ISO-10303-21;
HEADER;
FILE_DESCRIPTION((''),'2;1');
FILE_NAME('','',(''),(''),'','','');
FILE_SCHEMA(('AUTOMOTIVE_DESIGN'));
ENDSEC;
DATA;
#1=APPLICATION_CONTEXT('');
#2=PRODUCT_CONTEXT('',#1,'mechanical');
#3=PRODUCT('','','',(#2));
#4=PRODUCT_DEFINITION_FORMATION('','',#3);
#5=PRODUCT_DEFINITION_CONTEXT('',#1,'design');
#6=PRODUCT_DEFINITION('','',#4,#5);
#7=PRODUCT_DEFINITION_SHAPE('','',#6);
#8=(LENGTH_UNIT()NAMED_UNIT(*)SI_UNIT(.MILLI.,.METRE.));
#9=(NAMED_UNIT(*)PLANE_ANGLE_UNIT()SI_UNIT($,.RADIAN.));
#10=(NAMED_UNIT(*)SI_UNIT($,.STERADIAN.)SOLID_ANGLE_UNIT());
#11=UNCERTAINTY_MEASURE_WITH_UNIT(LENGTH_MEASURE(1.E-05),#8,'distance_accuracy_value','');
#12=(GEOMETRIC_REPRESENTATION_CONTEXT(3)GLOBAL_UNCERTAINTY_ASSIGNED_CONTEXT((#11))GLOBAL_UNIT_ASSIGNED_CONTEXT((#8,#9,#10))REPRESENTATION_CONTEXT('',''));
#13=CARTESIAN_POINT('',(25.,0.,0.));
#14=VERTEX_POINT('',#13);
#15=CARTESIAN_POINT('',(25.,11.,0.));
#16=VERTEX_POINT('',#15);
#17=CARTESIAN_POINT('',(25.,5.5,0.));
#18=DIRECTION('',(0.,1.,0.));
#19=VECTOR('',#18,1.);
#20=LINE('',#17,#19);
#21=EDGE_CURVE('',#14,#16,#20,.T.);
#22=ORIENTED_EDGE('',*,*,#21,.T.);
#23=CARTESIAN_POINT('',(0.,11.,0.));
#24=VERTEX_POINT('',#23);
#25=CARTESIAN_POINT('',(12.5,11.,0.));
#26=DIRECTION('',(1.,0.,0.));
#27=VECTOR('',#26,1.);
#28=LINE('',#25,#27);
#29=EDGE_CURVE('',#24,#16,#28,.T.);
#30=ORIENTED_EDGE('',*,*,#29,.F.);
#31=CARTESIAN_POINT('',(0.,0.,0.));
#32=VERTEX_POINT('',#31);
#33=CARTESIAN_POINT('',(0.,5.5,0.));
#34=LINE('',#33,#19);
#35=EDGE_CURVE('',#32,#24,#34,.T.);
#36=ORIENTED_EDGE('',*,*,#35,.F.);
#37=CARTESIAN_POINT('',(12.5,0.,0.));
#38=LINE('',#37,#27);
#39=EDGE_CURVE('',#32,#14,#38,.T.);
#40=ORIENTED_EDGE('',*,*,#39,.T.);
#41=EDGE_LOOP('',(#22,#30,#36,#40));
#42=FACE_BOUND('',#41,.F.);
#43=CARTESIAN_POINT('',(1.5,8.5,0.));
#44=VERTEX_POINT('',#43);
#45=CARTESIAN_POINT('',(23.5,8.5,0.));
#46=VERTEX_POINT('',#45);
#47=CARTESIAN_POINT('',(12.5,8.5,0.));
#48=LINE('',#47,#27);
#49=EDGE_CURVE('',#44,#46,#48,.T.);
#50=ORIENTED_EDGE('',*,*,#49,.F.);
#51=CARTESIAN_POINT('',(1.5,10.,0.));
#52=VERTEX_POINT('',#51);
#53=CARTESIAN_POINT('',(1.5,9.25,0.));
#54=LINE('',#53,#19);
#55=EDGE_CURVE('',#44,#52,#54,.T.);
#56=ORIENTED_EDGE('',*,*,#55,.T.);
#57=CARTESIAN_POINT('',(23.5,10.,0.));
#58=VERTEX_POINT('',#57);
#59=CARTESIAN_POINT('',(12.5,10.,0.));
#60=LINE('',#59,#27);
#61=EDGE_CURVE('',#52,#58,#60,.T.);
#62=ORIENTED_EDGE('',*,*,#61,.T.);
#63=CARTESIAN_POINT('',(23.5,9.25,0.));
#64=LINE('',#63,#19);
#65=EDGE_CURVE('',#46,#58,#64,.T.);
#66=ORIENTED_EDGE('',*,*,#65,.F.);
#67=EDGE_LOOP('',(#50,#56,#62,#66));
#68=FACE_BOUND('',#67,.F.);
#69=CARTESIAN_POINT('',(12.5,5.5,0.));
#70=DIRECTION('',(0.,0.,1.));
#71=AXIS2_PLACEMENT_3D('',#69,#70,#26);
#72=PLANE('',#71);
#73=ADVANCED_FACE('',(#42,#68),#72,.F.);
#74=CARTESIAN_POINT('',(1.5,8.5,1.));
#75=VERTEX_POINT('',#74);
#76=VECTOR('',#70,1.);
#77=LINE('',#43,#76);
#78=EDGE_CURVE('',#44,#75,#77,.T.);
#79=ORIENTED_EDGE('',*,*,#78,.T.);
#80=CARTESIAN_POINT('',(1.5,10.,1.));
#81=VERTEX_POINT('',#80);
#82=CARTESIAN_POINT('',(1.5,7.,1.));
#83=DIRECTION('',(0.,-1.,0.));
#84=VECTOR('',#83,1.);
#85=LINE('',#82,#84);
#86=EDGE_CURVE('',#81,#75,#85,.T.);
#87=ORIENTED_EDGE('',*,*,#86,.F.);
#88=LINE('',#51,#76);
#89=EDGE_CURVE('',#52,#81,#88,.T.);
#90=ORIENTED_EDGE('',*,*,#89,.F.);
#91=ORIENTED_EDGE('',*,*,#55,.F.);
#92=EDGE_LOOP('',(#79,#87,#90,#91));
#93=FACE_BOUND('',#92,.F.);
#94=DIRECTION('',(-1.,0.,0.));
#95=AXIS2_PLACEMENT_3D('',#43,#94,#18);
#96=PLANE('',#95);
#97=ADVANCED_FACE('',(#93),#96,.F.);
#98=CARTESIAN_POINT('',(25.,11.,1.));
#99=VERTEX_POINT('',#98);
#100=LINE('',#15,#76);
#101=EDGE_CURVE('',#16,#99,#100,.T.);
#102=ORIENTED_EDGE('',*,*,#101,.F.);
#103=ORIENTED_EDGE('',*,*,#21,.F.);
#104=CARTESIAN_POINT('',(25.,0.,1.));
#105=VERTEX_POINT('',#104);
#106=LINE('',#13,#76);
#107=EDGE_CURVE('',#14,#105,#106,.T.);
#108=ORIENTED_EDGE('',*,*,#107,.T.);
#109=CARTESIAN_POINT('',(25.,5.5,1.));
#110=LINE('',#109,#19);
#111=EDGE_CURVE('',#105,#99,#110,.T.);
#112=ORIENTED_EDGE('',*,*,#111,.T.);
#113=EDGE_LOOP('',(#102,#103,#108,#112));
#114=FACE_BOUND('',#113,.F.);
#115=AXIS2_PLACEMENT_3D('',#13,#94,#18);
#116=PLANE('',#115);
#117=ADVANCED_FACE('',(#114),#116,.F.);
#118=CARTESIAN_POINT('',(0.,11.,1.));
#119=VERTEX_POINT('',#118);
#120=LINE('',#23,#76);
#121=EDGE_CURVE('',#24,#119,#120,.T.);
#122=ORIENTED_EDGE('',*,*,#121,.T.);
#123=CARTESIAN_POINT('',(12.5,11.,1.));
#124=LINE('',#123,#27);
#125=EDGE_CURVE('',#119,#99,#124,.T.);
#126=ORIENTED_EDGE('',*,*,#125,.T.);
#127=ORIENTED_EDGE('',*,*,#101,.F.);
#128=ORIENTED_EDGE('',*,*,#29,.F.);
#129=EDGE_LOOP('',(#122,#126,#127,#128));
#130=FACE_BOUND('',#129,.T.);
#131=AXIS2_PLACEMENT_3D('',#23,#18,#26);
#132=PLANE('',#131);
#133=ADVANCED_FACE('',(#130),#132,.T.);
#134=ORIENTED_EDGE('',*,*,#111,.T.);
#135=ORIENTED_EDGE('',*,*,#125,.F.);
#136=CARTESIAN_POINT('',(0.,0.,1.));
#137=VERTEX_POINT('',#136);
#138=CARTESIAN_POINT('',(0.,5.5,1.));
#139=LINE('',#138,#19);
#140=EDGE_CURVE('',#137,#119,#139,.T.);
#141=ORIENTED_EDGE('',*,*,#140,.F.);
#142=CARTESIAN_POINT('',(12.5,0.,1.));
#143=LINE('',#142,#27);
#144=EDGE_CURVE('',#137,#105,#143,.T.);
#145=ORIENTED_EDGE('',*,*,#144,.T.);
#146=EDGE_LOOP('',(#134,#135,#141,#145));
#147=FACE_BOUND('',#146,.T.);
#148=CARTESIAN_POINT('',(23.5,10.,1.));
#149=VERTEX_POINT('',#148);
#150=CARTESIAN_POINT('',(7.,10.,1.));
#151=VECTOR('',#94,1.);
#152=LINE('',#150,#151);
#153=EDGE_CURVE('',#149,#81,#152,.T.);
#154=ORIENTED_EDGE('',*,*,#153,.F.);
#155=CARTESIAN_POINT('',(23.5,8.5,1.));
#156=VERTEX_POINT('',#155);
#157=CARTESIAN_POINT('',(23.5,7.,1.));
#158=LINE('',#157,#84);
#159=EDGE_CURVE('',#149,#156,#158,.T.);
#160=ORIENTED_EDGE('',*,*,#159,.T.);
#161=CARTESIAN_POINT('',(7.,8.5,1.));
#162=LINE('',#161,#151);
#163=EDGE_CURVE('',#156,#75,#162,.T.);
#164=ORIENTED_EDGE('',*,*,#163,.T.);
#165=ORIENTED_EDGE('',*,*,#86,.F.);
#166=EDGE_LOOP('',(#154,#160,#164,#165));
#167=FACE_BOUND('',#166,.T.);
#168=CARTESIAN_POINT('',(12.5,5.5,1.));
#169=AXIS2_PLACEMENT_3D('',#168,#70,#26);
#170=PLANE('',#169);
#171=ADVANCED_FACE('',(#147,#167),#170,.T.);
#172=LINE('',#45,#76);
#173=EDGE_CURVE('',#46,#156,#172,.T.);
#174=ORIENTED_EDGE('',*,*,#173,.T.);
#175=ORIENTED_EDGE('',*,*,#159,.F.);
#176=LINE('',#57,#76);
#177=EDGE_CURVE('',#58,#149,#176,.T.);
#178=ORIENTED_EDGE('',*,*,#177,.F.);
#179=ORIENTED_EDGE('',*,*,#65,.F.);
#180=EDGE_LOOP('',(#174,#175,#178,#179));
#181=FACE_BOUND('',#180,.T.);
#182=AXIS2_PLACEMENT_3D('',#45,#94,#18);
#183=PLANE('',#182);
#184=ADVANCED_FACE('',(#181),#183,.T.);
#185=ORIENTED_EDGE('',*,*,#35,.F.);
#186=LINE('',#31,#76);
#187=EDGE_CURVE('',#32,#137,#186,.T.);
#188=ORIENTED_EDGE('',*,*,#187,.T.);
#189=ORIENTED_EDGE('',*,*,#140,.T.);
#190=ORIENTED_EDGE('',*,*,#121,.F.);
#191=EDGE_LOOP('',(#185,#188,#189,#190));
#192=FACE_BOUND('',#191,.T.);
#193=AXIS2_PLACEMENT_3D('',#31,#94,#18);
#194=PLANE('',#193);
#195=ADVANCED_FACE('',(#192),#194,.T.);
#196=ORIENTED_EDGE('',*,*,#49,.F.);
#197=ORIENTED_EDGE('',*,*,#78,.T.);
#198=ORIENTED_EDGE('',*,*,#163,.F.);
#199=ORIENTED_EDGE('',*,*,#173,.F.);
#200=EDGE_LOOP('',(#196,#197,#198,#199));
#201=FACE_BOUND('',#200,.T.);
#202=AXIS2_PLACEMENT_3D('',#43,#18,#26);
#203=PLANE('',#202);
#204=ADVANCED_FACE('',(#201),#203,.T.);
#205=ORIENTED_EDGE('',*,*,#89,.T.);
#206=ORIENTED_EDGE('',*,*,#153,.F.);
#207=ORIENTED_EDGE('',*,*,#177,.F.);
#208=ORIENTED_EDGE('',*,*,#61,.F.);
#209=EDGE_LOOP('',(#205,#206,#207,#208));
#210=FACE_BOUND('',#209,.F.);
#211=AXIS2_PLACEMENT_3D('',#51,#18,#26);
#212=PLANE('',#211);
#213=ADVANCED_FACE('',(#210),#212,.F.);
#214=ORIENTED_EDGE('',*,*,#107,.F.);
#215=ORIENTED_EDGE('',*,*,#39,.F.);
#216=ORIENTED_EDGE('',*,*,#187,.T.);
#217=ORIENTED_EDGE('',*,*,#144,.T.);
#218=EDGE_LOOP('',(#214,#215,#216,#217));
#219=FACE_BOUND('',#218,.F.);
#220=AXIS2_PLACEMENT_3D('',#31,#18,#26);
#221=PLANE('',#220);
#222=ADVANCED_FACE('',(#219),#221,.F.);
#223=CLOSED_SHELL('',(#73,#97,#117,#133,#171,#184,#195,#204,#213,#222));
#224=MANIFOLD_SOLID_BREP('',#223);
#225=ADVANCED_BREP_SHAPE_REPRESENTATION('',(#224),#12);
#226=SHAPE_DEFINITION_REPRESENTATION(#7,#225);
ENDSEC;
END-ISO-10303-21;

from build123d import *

# Parameters (mm, degrees)
BOX163_W     = 22
BOX163_H     = 1.5
BOX163_DEPTH = 2
BOX161_W     = 25
BOX161_H     = 11
BOX161_DEPTH = 1


with BuildPart() as longledhole015:
    # Box163 → Box163 (new body)
    with BuildSketch(Plane(origin=(1.5, 8.5, 0), x_dir=(1, 0, 0), z_dir=(0, 0, 1))):
        with Locations((11, 0.75)):
            Rectangle(BOX163_W, BOX163_H)
    extrude(amount=BOX163_DEPTH)


with BuildPart() as cut032:
    # Box161 → Box161 (new body)
    with BuildSketch(Plane.XY):
        with Locations((12.5, 5.5)):
            Rectangle(BOX161_W, BOX161_H)
    extrude(amount=BOX161_DEPTH)

    # Cut032: cut LongLedHole015
    add(longledhole015.part, mode=Mode.SUBTRACT)


solid = cut032.part
